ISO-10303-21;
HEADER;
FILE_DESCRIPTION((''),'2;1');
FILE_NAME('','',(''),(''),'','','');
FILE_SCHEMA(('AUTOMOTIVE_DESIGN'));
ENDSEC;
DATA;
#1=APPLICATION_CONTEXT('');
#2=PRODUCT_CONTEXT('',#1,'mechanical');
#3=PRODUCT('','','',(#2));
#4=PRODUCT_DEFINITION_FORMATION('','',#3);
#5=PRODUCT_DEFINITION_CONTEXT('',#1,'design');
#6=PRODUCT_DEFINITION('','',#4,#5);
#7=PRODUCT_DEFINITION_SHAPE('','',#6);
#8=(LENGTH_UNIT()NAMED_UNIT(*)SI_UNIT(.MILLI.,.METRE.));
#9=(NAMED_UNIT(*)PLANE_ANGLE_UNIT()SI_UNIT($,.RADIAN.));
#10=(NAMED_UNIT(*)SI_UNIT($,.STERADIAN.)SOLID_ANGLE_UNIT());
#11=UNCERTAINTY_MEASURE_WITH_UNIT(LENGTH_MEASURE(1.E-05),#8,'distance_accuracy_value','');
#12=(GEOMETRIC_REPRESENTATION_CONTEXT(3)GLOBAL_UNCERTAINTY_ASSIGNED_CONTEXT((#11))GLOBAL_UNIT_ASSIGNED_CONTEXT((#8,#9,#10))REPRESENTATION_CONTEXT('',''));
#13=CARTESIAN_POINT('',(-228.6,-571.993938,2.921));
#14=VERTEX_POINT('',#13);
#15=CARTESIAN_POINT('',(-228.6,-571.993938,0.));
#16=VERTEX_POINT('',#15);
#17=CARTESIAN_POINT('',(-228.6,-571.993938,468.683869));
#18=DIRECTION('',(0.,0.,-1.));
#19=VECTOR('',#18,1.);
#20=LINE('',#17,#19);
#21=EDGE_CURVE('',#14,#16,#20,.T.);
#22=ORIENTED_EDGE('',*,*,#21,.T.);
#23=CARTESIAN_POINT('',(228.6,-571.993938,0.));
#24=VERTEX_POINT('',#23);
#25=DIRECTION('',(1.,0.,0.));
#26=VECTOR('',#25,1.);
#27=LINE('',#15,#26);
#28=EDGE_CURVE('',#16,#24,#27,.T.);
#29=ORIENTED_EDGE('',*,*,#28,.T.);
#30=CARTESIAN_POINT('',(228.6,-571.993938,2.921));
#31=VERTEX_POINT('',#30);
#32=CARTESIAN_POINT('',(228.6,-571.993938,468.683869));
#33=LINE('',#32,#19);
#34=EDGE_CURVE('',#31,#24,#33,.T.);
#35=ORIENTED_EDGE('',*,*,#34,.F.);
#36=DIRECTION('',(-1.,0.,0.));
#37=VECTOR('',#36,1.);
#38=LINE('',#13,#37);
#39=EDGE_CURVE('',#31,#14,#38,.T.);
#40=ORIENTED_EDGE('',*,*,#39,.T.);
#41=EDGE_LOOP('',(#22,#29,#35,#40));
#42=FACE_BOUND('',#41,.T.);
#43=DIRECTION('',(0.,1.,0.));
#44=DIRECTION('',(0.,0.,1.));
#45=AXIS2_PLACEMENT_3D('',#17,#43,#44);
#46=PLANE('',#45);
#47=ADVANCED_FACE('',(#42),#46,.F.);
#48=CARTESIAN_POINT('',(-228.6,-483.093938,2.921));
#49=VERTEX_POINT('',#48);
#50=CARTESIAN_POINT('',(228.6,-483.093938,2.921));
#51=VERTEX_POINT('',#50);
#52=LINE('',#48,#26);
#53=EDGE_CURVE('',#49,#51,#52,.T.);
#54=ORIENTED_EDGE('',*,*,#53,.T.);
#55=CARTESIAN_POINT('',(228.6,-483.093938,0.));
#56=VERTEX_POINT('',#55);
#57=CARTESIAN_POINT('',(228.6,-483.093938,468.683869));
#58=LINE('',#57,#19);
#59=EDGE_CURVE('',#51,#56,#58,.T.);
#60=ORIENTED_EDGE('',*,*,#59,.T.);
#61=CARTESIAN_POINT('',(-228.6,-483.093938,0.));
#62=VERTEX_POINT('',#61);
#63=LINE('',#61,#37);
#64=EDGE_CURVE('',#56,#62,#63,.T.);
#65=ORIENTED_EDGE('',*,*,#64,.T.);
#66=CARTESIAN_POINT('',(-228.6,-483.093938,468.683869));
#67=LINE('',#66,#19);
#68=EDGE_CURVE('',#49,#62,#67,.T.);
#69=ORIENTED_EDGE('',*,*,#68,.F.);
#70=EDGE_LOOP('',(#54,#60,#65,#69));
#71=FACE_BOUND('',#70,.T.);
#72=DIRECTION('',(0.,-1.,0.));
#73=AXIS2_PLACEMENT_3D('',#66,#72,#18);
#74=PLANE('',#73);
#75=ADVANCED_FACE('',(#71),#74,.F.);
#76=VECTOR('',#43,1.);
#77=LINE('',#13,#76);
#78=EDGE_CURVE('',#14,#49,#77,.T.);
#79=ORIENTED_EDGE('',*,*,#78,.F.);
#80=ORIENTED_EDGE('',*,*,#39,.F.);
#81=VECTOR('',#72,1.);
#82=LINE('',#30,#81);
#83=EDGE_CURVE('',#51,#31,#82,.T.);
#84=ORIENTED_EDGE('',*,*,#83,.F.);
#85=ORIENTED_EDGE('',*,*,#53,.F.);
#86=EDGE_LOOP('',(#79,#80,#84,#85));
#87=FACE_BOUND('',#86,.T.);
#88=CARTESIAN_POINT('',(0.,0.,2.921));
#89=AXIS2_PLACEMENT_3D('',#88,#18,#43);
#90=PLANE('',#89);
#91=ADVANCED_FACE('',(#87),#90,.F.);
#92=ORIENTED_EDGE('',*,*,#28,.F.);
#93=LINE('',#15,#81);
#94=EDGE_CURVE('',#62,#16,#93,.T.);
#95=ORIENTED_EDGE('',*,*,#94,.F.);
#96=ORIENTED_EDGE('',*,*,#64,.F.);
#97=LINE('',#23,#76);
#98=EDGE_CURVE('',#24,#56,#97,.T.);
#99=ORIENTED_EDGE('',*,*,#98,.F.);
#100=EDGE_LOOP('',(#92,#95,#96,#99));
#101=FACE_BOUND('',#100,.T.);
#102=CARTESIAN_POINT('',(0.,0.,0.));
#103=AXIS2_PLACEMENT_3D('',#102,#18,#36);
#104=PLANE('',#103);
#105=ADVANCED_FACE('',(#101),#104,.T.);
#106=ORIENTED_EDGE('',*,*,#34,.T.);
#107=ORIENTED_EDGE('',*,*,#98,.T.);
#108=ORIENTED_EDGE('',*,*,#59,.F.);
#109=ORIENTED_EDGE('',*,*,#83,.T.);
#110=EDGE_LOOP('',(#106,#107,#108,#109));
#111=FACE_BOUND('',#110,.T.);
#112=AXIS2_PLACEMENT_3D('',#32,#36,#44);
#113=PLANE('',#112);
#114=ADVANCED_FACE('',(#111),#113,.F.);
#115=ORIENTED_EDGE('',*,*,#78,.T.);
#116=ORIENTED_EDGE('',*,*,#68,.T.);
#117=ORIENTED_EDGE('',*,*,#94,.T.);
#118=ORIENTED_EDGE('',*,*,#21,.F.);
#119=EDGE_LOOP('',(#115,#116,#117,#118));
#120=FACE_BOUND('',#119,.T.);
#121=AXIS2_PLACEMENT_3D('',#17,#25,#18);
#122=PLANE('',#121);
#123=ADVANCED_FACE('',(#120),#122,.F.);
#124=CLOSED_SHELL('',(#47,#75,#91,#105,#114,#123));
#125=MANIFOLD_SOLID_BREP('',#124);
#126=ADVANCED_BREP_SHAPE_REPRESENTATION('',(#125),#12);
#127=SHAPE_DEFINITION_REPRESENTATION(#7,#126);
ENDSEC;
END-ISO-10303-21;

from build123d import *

# Parameters (mm, degrees)
SKETCH1_W           = 457.2
SKETCH1_H           = 88.9
BOSS_EXTRUDE1_DEPTH = 2.921


with BuildPart() as part:
    # Sketch1 → Boss-Extrude1 (new body)
    with BuildSketch(Plane.XY):
        with Locations((0, -527.543937925)):
            Rectangle(SKETCH1_W, SKETCH1_H)
    extrude(amount=BOSS_EXTRUDE1_DEPTH)


solid = part.part
